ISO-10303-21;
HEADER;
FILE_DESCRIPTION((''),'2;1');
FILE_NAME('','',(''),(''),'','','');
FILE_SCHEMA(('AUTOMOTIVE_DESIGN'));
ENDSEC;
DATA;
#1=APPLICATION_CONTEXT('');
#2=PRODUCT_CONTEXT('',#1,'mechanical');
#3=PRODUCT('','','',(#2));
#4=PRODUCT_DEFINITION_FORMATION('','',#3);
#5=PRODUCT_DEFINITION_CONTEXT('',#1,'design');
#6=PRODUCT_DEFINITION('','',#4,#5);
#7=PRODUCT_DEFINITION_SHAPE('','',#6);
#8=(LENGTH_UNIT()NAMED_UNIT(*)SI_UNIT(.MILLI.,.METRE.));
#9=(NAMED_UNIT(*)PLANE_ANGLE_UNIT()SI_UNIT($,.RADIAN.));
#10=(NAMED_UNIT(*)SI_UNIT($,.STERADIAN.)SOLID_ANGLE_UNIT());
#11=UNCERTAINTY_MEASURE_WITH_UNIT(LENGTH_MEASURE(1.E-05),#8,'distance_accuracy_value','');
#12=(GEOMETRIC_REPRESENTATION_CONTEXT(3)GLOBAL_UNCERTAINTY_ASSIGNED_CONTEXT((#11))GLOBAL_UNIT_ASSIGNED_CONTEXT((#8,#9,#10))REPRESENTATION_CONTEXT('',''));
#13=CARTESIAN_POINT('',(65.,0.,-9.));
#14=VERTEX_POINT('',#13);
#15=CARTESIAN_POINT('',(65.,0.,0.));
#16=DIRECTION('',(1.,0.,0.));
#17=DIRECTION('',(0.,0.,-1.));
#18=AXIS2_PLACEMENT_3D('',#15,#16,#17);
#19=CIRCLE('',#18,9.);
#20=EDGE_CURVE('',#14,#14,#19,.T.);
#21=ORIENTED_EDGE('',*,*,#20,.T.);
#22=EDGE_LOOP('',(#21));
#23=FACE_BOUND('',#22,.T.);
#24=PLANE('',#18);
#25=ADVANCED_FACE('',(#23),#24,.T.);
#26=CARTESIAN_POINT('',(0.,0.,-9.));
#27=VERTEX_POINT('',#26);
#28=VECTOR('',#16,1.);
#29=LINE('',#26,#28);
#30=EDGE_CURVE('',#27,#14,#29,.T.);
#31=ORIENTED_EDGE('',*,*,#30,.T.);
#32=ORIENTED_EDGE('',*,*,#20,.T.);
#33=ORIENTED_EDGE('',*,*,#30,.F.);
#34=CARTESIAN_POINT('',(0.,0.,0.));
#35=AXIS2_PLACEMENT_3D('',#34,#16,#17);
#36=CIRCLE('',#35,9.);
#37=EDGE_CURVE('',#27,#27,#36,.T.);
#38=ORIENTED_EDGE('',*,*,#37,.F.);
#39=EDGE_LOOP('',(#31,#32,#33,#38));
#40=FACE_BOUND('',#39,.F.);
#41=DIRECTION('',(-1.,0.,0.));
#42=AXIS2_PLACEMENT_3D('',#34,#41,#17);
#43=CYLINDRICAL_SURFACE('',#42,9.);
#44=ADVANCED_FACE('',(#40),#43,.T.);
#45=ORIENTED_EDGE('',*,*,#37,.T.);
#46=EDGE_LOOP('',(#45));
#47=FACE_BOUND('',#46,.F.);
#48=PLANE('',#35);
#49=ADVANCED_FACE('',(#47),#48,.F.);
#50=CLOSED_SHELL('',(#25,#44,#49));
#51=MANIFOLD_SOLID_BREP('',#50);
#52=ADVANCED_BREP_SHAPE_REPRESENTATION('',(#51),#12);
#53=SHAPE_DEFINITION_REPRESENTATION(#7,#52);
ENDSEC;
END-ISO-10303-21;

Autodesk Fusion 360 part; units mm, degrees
sketch "Sketch1" plane through (0, 0, 0) normal (1, 0, 0) x (0, 0, -1)
  circle A0 centre (0, 0) radius 9
  dimension "d1" = 18
extrude "Extrude1" add sketch "Sketch1" along normal blind 65
